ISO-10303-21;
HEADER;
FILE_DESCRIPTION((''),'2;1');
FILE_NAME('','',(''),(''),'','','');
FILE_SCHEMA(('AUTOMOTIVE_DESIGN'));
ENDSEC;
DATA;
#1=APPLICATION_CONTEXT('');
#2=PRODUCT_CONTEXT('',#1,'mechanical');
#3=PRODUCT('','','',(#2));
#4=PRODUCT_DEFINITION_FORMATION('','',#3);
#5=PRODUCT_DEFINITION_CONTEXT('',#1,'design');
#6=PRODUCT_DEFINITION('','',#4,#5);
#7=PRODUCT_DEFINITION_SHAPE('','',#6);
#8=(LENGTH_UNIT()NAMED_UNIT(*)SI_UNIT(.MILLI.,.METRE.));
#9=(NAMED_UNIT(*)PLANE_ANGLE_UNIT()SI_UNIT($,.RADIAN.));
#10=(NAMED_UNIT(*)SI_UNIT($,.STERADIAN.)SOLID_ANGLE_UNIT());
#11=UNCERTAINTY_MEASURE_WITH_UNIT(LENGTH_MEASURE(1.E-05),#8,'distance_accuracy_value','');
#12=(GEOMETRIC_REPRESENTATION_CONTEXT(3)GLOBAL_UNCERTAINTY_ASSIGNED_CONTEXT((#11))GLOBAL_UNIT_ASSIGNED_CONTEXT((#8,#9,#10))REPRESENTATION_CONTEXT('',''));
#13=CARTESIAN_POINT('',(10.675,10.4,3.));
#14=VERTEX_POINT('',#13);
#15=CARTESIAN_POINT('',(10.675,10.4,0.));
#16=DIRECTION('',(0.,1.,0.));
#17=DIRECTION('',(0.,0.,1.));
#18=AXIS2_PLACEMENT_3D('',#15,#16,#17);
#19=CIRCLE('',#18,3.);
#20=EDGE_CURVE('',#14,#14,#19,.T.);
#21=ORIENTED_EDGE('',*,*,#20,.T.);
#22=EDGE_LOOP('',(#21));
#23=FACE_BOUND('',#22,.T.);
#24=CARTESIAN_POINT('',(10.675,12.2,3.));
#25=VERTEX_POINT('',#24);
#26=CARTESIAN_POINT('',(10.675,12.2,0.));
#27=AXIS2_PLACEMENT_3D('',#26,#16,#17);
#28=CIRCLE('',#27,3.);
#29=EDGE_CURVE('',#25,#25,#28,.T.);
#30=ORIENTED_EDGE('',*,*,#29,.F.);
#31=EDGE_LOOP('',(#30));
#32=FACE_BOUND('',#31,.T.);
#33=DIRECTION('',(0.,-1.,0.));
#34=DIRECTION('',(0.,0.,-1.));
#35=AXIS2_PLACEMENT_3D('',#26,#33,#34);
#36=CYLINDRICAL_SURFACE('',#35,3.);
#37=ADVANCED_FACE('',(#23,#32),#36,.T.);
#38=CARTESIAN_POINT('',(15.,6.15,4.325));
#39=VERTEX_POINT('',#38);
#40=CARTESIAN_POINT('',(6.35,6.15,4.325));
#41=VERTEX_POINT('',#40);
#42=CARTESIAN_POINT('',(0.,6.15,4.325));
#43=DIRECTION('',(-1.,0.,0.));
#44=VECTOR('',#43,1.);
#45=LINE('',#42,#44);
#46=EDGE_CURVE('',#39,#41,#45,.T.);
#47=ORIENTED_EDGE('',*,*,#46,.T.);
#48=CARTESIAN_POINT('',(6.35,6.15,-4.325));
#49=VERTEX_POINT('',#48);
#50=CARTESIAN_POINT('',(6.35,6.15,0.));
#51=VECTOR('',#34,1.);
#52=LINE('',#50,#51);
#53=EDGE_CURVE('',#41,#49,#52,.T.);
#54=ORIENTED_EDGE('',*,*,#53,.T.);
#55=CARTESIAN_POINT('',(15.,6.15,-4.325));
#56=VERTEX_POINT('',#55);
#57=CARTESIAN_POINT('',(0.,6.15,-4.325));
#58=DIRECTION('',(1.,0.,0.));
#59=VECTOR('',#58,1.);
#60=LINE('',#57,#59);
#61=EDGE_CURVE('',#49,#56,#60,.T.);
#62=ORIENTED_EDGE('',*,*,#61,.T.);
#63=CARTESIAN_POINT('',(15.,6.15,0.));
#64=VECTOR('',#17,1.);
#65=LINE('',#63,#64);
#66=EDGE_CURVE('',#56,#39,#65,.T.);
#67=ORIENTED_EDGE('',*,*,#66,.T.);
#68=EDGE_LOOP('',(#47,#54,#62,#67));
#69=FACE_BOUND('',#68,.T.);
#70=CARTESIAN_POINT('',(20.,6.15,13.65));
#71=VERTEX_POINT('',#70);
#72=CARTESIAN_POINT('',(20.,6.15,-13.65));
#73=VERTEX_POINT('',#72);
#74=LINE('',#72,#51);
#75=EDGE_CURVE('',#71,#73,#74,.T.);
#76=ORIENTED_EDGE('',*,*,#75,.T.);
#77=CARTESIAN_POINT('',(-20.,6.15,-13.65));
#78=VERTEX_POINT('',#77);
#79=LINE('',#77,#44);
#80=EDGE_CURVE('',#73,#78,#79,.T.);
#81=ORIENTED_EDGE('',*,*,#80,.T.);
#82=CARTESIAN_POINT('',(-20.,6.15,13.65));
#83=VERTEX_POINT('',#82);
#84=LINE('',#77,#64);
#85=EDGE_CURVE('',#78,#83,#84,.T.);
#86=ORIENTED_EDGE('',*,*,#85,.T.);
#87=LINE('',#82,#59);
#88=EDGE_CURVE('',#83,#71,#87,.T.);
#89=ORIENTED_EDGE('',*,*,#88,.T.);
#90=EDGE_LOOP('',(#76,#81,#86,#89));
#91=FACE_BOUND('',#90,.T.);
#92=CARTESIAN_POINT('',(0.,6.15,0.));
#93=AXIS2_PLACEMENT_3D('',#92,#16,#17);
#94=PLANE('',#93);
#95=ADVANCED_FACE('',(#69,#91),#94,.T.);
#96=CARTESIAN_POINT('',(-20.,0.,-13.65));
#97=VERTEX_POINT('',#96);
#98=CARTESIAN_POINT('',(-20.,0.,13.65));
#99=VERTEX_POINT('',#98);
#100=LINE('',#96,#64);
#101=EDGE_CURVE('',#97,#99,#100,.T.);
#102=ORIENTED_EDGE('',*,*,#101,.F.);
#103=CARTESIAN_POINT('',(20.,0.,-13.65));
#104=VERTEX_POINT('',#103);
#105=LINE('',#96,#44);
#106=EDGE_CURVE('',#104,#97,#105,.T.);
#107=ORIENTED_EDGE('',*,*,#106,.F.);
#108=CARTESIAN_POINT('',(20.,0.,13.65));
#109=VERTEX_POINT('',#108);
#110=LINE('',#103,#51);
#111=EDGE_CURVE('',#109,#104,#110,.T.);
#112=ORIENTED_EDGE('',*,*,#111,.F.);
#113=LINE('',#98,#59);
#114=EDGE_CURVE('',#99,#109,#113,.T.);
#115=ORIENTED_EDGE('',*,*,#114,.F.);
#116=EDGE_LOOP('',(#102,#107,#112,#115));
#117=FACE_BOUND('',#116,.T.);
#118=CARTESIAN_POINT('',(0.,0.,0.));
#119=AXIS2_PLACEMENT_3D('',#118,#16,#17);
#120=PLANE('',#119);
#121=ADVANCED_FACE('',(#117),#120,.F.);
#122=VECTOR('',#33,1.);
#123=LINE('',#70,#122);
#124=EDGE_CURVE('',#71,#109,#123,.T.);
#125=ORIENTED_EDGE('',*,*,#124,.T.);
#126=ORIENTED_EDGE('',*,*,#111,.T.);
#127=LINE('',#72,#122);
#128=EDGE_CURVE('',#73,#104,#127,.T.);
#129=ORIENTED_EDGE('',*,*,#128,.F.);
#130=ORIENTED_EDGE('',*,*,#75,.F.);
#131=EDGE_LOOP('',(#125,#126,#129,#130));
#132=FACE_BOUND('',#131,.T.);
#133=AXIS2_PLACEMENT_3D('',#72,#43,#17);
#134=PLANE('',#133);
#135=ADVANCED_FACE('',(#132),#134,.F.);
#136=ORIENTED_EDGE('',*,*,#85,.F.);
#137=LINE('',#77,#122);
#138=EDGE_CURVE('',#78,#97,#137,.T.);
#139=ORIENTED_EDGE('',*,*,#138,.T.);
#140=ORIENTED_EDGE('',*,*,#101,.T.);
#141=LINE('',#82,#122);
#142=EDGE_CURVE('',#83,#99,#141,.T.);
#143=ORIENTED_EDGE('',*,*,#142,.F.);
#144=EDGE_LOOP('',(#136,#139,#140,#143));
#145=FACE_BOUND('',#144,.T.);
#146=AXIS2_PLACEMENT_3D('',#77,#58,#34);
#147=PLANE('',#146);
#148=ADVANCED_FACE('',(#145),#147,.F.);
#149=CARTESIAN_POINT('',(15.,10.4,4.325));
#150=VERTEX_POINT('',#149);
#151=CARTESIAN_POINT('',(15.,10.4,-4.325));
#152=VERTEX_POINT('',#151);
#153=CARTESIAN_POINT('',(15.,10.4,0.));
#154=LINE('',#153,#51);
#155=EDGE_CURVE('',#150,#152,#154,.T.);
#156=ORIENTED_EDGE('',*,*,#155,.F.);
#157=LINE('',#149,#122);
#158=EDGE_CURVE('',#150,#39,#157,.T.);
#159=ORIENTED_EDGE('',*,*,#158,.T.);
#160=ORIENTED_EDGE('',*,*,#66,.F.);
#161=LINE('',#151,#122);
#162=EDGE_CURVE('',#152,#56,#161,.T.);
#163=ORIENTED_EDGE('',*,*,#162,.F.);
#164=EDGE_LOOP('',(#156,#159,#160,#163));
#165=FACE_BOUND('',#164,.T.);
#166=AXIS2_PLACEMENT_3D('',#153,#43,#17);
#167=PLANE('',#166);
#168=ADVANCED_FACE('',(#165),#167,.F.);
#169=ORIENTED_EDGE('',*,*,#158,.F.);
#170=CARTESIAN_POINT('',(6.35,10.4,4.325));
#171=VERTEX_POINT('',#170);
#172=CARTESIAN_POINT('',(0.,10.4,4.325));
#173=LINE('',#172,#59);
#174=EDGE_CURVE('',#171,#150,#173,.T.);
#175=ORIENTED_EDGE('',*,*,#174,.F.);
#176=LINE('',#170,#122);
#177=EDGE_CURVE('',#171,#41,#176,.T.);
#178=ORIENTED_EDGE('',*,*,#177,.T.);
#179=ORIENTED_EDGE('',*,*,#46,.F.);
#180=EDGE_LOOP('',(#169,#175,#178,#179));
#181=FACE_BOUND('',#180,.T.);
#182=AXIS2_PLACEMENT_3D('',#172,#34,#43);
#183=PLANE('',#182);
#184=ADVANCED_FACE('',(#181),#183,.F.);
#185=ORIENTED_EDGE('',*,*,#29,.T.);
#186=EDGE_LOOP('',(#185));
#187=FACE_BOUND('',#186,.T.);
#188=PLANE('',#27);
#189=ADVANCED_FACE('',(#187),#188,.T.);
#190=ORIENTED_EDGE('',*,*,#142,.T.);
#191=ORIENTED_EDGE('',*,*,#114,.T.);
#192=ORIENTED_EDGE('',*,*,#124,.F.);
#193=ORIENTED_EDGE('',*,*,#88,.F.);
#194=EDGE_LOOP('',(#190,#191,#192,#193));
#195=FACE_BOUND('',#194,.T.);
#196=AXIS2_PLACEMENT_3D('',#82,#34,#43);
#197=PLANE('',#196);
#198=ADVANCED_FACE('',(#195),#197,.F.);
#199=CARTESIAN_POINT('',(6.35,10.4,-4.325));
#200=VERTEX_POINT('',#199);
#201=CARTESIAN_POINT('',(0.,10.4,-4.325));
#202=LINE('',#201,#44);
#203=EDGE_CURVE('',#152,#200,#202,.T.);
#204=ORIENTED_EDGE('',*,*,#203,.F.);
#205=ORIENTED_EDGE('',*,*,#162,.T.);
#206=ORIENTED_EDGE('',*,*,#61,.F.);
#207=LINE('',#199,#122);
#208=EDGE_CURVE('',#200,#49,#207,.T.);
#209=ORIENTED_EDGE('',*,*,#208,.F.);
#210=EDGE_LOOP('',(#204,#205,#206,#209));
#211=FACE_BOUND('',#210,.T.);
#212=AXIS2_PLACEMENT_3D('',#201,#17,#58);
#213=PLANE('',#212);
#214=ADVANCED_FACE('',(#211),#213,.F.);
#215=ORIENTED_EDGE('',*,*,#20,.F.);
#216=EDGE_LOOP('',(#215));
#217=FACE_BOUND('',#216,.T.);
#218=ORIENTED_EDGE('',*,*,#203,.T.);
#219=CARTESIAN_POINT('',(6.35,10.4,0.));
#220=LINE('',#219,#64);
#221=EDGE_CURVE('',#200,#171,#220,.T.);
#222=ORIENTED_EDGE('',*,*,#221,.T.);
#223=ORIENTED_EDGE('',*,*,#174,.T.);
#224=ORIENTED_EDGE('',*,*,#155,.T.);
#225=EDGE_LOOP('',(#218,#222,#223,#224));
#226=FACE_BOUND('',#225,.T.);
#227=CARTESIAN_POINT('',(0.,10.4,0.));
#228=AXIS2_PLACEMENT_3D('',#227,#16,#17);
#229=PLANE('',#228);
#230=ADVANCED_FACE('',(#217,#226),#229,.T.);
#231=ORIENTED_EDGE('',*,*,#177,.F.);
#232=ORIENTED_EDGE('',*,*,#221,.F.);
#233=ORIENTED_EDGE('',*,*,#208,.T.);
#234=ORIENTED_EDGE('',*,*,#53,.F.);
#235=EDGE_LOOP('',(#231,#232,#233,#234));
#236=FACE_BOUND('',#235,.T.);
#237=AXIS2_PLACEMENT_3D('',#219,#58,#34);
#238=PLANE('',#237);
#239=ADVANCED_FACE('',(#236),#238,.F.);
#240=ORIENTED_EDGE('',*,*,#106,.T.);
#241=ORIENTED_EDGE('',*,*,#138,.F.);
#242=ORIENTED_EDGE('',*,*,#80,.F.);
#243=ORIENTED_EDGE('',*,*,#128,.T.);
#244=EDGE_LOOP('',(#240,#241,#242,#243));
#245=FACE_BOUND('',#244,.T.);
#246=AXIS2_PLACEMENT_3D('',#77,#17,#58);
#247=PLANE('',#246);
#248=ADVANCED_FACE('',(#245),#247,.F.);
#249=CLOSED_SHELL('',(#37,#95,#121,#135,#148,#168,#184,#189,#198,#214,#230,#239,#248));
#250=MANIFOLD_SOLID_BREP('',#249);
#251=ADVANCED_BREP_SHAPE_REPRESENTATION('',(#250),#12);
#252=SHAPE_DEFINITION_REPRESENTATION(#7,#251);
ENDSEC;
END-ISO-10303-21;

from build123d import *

# Parameters (mm, degrees)
SKETCH_1_W      = 40
SKETCH_1_H      = 27.3
EXTRUDE_1_DEPTH = 6.15
EXTRUDE_START   = -6.15
SKETCH_2_W      = 8.65
SKETCH_2_H      = 8.65
EXTRUDE_2_DEPTH = 10.4
SKETCH_3_R      = 3
EXTRUDE_3_DEPTH = 1.8


with BuildPart() as part:
    # 草图1 → 凸台-拉伸1 (new body)
    with BuildSketch(Plane(origin=(0, 0, 0), x_dir=(1, 0, 0), z_dir=(0, 1, 0))):
        Rectangle(SKETCH_1_W, SKETCH_1_H)
    extrude(amount=EXTRUDE_1_DEPTH)

    # 草图2 → 凸台-拉伸2 (add)
    with BuildSketch(Plane(origin=(0, 6.15, 0), x_dir=(1, 0, 0), z_dir=(0, 1, 0)).offset(EXTRUDE_START)):
        with Locations((10.675, 0)):
            Rectangle(SKETCH_2_W, SKETCH_2_H)
    extrude(amount=EXTRUDE_2_DEPTH)

    # 草图3 → 凸台-拉伸3 (add)
    with BuildSketch(Plane(origin=(0, 10.4, 0), x_dir=(1, 0, 0), z_dir=(0, 1, 0))):
        with Locations(Location((10.675, 0, 0), (0, 0, 270))):
            Circle(SKETCH_3_R)
    extrude(amount=EXTRUDE_3_DEPTH)


solid = part.part
